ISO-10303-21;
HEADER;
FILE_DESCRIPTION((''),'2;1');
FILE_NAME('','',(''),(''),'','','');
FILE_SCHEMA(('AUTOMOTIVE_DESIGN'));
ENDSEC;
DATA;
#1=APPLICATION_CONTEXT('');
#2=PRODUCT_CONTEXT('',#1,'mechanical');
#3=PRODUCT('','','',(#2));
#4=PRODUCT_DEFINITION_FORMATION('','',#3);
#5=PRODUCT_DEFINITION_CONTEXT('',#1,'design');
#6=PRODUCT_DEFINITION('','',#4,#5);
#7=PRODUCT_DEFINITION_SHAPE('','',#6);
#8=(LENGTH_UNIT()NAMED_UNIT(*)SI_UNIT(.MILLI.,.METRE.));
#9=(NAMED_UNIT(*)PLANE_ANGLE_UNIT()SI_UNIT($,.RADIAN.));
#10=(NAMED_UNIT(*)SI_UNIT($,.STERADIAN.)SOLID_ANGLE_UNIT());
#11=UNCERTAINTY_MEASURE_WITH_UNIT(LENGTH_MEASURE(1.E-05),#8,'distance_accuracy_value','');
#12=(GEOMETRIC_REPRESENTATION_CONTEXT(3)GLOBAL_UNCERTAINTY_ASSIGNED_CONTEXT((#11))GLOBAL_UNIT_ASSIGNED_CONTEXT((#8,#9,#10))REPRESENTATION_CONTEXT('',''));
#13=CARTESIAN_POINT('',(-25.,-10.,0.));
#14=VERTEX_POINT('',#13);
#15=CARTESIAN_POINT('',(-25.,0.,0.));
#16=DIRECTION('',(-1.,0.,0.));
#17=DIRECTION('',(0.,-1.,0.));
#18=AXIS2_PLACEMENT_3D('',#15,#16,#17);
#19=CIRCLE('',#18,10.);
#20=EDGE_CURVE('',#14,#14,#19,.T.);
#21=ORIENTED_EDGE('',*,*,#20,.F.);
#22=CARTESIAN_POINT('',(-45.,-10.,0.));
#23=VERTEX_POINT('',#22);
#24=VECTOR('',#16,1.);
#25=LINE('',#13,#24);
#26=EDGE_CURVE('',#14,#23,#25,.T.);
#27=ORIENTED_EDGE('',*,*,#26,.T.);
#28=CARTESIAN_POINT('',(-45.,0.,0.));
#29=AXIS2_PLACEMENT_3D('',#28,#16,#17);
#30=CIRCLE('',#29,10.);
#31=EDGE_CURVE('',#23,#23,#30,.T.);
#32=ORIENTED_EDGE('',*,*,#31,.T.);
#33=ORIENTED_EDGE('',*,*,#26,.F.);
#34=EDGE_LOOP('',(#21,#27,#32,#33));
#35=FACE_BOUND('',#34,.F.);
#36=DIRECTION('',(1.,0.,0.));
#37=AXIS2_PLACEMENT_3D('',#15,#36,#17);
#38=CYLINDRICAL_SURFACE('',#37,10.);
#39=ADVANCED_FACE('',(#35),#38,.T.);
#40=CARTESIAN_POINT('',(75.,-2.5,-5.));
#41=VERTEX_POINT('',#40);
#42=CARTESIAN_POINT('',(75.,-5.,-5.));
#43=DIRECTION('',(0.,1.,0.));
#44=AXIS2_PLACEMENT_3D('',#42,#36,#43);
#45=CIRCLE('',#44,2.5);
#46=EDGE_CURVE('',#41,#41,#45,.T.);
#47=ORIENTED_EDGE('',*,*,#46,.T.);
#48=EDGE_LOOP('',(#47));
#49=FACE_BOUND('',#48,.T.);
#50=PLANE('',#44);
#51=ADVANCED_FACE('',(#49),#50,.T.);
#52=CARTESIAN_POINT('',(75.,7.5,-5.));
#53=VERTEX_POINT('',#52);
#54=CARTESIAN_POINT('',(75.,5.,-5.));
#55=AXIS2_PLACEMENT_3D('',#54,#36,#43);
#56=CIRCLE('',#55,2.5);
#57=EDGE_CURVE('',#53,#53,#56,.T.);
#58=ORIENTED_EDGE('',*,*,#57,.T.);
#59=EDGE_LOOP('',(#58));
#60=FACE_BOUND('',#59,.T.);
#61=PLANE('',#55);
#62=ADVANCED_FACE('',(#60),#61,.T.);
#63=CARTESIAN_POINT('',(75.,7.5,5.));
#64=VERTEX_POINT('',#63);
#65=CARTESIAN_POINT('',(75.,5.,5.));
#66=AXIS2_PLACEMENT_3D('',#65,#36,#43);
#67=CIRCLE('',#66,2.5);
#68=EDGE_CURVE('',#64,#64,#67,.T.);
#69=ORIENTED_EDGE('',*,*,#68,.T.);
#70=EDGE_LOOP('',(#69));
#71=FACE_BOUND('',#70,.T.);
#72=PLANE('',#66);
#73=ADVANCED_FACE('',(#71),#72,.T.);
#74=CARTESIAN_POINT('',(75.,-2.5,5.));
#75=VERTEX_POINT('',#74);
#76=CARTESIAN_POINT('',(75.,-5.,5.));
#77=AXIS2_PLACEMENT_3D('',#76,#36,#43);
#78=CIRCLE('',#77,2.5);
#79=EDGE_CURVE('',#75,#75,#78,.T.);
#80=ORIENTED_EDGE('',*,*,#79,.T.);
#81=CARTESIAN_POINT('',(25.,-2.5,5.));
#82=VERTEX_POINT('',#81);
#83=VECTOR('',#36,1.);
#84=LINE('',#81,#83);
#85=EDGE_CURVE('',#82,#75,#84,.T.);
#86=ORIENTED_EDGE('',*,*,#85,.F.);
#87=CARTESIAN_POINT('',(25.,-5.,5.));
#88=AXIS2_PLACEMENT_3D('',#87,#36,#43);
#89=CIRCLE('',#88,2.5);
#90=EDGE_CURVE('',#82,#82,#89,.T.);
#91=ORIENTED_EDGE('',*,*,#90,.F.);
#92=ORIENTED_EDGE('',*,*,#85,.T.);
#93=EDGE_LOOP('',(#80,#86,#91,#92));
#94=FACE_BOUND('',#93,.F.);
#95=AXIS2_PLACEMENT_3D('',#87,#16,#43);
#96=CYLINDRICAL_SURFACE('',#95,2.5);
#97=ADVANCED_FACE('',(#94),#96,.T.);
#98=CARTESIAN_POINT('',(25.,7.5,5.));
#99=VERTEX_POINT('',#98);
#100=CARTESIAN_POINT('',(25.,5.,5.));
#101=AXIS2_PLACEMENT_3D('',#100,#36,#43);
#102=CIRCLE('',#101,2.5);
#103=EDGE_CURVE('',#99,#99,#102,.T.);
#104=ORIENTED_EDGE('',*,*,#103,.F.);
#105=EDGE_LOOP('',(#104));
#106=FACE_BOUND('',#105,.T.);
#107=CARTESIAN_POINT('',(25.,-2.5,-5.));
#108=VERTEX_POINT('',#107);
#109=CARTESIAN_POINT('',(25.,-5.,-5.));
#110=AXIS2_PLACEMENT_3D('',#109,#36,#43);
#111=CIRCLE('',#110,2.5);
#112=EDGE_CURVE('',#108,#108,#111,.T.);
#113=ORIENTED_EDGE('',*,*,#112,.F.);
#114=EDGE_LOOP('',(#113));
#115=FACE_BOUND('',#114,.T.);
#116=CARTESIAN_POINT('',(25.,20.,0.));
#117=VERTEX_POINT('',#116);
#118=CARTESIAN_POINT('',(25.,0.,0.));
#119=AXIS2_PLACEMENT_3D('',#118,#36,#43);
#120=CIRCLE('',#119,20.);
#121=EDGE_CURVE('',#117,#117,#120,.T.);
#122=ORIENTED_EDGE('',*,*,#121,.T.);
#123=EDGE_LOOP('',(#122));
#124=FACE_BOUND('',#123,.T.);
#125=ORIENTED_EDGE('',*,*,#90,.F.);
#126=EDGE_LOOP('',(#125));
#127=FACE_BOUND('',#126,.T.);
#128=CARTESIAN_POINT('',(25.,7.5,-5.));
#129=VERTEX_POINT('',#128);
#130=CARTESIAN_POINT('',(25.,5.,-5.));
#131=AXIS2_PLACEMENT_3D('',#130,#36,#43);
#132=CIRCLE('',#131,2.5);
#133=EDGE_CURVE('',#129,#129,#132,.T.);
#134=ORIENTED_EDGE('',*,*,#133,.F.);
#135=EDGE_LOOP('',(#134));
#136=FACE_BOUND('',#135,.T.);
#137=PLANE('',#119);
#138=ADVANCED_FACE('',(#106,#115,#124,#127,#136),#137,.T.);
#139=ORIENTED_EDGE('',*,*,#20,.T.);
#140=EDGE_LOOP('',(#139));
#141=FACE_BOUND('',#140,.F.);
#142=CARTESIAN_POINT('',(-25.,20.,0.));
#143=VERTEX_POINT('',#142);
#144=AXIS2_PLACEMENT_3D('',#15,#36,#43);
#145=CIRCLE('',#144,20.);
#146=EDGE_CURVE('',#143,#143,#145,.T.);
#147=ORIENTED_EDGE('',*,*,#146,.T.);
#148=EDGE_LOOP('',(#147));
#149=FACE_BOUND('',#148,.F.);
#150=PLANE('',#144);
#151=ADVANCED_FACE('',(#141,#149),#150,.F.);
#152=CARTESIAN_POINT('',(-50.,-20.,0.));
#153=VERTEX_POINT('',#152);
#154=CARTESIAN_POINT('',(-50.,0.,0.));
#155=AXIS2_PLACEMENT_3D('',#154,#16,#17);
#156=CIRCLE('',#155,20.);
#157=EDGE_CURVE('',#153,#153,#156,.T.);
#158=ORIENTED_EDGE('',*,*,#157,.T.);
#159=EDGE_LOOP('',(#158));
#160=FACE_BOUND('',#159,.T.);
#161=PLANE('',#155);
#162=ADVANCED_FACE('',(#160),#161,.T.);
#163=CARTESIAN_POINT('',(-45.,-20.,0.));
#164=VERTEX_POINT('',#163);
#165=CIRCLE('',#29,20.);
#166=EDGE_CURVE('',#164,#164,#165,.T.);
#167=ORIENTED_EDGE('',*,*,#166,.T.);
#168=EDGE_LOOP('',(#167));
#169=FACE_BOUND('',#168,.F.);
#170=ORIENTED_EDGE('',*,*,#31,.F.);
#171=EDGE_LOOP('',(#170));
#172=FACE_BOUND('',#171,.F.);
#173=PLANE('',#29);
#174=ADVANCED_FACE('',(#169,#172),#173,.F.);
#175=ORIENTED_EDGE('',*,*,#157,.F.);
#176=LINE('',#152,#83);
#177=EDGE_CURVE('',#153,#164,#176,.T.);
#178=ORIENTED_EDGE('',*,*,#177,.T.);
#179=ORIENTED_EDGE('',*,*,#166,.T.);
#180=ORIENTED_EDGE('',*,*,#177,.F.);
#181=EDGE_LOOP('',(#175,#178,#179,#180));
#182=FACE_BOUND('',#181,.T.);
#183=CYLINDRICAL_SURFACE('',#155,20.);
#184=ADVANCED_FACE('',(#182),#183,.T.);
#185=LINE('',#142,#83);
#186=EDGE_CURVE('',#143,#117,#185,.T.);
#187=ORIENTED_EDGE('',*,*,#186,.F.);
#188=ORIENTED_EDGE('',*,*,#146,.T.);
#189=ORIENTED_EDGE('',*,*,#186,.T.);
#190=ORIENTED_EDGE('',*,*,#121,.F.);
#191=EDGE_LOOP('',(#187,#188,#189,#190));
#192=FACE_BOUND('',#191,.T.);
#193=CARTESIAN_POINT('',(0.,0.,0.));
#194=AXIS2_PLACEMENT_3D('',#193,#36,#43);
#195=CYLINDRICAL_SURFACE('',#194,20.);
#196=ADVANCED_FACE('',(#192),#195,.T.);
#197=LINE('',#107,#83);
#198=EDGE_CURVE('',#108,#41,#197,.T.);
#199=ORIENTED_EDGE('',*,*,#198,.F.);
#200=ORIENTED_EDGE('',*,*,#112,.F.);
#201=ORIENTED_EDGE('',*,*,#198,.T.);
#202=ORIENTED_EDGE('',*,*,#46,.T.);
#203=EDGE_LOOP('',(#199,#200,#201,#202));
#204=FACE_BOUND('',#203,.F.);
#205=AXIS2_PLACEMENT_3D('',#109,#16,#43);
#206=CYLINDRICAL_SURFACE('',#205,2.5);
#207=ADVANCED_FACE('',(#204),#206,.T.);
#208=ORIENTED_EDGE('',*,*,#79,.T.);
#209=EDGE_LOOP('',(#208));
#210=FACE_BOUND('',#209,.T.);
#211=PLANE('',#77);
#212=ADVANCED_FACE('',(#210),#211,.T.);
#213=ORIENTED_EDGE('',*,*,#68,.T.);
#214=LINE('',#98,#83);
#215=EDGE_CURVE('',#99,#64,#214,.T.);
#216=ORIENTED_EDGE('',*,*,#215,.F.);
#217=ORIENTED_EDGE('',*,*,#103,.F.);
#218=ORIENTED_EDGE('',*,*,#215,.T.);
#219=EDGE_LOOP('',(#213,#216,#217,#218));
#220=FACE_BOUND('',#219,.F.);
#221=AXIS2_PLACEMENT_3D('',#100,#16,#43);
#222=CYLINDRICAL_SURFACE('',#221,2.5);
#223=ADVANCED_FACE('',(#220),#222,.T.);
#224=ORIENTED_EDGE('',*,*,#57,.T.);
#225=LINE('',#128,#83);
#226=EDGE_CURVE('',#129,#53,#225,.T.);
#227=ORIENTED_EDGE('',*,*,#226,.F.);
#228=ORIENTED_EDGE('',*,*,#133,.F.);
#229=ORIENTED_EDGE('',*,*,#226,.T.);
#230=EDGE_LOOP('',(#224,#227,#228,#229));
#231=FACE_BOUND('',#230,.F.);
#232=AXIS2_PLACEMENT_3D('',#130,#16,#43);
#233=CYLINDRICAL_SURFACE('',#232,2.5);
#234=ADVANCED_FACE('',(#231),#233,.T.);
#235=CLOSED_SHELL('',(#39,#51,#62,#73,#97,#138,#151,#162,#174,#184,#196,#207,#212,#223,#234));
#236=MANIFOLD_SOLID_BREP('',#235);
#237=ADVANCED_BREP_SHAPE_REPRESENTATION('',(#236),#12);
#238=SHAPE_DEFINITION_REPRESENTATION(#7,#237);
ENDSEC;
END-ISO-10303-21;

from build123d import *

# Parameters (mm, degrees)
F0_R     = 20
F1_DEPTH = 25
F2_R     = 2.5
F3_DEPTH = 50
F4_R     = 10
F5_DEPTH = 25
F6_R     = 20
F6_R_2   = 10
F7_DEPTH = 5


with BuildPart() as f1:
    # F0 (on Right) → F1 (new body, symmetric)
    with BuildSketch(Plane.YZ):
        Circle(F0_R)
    extrude(amount=F1_DEPTH, both=True)

    # F2 (on face) → F3 (join)
    with BuildSketch(Plane.YZ.offset(25)):
        with Locations((-5, 5)):
            Circle(F2_R)
        with Locations((5, 5)):
            Circle(F2_R)
        with Locations((5, -5)):
            Circle(F2_R)
        with Locations((-5, -5)):
            Circle(F2_R)
    extrude(amount=F3_DEPTH)

    # F4 (on face) → F5 (join)
    with BuildSketch(Plane(origin=(-25, 0, 0), x_dir=(0, -1, 0), z_dir=(-1, 0, 0))):
        Circle(F4_R)
    extrude(amount=F5_DEPTH)

    # F6 (on face) → F7 (join)
    with BuildSketch(Plane(origin=(-50, 0, 0), x_dir=(0, -1, 0), z_dir=(-1, 0, 0))):
        Circle(F6_R)
        Circle(F6_R_2, mode=Mode.SUBTRACT)
    extrude(amount=-F7_DEPTH)


solid = f1.part
